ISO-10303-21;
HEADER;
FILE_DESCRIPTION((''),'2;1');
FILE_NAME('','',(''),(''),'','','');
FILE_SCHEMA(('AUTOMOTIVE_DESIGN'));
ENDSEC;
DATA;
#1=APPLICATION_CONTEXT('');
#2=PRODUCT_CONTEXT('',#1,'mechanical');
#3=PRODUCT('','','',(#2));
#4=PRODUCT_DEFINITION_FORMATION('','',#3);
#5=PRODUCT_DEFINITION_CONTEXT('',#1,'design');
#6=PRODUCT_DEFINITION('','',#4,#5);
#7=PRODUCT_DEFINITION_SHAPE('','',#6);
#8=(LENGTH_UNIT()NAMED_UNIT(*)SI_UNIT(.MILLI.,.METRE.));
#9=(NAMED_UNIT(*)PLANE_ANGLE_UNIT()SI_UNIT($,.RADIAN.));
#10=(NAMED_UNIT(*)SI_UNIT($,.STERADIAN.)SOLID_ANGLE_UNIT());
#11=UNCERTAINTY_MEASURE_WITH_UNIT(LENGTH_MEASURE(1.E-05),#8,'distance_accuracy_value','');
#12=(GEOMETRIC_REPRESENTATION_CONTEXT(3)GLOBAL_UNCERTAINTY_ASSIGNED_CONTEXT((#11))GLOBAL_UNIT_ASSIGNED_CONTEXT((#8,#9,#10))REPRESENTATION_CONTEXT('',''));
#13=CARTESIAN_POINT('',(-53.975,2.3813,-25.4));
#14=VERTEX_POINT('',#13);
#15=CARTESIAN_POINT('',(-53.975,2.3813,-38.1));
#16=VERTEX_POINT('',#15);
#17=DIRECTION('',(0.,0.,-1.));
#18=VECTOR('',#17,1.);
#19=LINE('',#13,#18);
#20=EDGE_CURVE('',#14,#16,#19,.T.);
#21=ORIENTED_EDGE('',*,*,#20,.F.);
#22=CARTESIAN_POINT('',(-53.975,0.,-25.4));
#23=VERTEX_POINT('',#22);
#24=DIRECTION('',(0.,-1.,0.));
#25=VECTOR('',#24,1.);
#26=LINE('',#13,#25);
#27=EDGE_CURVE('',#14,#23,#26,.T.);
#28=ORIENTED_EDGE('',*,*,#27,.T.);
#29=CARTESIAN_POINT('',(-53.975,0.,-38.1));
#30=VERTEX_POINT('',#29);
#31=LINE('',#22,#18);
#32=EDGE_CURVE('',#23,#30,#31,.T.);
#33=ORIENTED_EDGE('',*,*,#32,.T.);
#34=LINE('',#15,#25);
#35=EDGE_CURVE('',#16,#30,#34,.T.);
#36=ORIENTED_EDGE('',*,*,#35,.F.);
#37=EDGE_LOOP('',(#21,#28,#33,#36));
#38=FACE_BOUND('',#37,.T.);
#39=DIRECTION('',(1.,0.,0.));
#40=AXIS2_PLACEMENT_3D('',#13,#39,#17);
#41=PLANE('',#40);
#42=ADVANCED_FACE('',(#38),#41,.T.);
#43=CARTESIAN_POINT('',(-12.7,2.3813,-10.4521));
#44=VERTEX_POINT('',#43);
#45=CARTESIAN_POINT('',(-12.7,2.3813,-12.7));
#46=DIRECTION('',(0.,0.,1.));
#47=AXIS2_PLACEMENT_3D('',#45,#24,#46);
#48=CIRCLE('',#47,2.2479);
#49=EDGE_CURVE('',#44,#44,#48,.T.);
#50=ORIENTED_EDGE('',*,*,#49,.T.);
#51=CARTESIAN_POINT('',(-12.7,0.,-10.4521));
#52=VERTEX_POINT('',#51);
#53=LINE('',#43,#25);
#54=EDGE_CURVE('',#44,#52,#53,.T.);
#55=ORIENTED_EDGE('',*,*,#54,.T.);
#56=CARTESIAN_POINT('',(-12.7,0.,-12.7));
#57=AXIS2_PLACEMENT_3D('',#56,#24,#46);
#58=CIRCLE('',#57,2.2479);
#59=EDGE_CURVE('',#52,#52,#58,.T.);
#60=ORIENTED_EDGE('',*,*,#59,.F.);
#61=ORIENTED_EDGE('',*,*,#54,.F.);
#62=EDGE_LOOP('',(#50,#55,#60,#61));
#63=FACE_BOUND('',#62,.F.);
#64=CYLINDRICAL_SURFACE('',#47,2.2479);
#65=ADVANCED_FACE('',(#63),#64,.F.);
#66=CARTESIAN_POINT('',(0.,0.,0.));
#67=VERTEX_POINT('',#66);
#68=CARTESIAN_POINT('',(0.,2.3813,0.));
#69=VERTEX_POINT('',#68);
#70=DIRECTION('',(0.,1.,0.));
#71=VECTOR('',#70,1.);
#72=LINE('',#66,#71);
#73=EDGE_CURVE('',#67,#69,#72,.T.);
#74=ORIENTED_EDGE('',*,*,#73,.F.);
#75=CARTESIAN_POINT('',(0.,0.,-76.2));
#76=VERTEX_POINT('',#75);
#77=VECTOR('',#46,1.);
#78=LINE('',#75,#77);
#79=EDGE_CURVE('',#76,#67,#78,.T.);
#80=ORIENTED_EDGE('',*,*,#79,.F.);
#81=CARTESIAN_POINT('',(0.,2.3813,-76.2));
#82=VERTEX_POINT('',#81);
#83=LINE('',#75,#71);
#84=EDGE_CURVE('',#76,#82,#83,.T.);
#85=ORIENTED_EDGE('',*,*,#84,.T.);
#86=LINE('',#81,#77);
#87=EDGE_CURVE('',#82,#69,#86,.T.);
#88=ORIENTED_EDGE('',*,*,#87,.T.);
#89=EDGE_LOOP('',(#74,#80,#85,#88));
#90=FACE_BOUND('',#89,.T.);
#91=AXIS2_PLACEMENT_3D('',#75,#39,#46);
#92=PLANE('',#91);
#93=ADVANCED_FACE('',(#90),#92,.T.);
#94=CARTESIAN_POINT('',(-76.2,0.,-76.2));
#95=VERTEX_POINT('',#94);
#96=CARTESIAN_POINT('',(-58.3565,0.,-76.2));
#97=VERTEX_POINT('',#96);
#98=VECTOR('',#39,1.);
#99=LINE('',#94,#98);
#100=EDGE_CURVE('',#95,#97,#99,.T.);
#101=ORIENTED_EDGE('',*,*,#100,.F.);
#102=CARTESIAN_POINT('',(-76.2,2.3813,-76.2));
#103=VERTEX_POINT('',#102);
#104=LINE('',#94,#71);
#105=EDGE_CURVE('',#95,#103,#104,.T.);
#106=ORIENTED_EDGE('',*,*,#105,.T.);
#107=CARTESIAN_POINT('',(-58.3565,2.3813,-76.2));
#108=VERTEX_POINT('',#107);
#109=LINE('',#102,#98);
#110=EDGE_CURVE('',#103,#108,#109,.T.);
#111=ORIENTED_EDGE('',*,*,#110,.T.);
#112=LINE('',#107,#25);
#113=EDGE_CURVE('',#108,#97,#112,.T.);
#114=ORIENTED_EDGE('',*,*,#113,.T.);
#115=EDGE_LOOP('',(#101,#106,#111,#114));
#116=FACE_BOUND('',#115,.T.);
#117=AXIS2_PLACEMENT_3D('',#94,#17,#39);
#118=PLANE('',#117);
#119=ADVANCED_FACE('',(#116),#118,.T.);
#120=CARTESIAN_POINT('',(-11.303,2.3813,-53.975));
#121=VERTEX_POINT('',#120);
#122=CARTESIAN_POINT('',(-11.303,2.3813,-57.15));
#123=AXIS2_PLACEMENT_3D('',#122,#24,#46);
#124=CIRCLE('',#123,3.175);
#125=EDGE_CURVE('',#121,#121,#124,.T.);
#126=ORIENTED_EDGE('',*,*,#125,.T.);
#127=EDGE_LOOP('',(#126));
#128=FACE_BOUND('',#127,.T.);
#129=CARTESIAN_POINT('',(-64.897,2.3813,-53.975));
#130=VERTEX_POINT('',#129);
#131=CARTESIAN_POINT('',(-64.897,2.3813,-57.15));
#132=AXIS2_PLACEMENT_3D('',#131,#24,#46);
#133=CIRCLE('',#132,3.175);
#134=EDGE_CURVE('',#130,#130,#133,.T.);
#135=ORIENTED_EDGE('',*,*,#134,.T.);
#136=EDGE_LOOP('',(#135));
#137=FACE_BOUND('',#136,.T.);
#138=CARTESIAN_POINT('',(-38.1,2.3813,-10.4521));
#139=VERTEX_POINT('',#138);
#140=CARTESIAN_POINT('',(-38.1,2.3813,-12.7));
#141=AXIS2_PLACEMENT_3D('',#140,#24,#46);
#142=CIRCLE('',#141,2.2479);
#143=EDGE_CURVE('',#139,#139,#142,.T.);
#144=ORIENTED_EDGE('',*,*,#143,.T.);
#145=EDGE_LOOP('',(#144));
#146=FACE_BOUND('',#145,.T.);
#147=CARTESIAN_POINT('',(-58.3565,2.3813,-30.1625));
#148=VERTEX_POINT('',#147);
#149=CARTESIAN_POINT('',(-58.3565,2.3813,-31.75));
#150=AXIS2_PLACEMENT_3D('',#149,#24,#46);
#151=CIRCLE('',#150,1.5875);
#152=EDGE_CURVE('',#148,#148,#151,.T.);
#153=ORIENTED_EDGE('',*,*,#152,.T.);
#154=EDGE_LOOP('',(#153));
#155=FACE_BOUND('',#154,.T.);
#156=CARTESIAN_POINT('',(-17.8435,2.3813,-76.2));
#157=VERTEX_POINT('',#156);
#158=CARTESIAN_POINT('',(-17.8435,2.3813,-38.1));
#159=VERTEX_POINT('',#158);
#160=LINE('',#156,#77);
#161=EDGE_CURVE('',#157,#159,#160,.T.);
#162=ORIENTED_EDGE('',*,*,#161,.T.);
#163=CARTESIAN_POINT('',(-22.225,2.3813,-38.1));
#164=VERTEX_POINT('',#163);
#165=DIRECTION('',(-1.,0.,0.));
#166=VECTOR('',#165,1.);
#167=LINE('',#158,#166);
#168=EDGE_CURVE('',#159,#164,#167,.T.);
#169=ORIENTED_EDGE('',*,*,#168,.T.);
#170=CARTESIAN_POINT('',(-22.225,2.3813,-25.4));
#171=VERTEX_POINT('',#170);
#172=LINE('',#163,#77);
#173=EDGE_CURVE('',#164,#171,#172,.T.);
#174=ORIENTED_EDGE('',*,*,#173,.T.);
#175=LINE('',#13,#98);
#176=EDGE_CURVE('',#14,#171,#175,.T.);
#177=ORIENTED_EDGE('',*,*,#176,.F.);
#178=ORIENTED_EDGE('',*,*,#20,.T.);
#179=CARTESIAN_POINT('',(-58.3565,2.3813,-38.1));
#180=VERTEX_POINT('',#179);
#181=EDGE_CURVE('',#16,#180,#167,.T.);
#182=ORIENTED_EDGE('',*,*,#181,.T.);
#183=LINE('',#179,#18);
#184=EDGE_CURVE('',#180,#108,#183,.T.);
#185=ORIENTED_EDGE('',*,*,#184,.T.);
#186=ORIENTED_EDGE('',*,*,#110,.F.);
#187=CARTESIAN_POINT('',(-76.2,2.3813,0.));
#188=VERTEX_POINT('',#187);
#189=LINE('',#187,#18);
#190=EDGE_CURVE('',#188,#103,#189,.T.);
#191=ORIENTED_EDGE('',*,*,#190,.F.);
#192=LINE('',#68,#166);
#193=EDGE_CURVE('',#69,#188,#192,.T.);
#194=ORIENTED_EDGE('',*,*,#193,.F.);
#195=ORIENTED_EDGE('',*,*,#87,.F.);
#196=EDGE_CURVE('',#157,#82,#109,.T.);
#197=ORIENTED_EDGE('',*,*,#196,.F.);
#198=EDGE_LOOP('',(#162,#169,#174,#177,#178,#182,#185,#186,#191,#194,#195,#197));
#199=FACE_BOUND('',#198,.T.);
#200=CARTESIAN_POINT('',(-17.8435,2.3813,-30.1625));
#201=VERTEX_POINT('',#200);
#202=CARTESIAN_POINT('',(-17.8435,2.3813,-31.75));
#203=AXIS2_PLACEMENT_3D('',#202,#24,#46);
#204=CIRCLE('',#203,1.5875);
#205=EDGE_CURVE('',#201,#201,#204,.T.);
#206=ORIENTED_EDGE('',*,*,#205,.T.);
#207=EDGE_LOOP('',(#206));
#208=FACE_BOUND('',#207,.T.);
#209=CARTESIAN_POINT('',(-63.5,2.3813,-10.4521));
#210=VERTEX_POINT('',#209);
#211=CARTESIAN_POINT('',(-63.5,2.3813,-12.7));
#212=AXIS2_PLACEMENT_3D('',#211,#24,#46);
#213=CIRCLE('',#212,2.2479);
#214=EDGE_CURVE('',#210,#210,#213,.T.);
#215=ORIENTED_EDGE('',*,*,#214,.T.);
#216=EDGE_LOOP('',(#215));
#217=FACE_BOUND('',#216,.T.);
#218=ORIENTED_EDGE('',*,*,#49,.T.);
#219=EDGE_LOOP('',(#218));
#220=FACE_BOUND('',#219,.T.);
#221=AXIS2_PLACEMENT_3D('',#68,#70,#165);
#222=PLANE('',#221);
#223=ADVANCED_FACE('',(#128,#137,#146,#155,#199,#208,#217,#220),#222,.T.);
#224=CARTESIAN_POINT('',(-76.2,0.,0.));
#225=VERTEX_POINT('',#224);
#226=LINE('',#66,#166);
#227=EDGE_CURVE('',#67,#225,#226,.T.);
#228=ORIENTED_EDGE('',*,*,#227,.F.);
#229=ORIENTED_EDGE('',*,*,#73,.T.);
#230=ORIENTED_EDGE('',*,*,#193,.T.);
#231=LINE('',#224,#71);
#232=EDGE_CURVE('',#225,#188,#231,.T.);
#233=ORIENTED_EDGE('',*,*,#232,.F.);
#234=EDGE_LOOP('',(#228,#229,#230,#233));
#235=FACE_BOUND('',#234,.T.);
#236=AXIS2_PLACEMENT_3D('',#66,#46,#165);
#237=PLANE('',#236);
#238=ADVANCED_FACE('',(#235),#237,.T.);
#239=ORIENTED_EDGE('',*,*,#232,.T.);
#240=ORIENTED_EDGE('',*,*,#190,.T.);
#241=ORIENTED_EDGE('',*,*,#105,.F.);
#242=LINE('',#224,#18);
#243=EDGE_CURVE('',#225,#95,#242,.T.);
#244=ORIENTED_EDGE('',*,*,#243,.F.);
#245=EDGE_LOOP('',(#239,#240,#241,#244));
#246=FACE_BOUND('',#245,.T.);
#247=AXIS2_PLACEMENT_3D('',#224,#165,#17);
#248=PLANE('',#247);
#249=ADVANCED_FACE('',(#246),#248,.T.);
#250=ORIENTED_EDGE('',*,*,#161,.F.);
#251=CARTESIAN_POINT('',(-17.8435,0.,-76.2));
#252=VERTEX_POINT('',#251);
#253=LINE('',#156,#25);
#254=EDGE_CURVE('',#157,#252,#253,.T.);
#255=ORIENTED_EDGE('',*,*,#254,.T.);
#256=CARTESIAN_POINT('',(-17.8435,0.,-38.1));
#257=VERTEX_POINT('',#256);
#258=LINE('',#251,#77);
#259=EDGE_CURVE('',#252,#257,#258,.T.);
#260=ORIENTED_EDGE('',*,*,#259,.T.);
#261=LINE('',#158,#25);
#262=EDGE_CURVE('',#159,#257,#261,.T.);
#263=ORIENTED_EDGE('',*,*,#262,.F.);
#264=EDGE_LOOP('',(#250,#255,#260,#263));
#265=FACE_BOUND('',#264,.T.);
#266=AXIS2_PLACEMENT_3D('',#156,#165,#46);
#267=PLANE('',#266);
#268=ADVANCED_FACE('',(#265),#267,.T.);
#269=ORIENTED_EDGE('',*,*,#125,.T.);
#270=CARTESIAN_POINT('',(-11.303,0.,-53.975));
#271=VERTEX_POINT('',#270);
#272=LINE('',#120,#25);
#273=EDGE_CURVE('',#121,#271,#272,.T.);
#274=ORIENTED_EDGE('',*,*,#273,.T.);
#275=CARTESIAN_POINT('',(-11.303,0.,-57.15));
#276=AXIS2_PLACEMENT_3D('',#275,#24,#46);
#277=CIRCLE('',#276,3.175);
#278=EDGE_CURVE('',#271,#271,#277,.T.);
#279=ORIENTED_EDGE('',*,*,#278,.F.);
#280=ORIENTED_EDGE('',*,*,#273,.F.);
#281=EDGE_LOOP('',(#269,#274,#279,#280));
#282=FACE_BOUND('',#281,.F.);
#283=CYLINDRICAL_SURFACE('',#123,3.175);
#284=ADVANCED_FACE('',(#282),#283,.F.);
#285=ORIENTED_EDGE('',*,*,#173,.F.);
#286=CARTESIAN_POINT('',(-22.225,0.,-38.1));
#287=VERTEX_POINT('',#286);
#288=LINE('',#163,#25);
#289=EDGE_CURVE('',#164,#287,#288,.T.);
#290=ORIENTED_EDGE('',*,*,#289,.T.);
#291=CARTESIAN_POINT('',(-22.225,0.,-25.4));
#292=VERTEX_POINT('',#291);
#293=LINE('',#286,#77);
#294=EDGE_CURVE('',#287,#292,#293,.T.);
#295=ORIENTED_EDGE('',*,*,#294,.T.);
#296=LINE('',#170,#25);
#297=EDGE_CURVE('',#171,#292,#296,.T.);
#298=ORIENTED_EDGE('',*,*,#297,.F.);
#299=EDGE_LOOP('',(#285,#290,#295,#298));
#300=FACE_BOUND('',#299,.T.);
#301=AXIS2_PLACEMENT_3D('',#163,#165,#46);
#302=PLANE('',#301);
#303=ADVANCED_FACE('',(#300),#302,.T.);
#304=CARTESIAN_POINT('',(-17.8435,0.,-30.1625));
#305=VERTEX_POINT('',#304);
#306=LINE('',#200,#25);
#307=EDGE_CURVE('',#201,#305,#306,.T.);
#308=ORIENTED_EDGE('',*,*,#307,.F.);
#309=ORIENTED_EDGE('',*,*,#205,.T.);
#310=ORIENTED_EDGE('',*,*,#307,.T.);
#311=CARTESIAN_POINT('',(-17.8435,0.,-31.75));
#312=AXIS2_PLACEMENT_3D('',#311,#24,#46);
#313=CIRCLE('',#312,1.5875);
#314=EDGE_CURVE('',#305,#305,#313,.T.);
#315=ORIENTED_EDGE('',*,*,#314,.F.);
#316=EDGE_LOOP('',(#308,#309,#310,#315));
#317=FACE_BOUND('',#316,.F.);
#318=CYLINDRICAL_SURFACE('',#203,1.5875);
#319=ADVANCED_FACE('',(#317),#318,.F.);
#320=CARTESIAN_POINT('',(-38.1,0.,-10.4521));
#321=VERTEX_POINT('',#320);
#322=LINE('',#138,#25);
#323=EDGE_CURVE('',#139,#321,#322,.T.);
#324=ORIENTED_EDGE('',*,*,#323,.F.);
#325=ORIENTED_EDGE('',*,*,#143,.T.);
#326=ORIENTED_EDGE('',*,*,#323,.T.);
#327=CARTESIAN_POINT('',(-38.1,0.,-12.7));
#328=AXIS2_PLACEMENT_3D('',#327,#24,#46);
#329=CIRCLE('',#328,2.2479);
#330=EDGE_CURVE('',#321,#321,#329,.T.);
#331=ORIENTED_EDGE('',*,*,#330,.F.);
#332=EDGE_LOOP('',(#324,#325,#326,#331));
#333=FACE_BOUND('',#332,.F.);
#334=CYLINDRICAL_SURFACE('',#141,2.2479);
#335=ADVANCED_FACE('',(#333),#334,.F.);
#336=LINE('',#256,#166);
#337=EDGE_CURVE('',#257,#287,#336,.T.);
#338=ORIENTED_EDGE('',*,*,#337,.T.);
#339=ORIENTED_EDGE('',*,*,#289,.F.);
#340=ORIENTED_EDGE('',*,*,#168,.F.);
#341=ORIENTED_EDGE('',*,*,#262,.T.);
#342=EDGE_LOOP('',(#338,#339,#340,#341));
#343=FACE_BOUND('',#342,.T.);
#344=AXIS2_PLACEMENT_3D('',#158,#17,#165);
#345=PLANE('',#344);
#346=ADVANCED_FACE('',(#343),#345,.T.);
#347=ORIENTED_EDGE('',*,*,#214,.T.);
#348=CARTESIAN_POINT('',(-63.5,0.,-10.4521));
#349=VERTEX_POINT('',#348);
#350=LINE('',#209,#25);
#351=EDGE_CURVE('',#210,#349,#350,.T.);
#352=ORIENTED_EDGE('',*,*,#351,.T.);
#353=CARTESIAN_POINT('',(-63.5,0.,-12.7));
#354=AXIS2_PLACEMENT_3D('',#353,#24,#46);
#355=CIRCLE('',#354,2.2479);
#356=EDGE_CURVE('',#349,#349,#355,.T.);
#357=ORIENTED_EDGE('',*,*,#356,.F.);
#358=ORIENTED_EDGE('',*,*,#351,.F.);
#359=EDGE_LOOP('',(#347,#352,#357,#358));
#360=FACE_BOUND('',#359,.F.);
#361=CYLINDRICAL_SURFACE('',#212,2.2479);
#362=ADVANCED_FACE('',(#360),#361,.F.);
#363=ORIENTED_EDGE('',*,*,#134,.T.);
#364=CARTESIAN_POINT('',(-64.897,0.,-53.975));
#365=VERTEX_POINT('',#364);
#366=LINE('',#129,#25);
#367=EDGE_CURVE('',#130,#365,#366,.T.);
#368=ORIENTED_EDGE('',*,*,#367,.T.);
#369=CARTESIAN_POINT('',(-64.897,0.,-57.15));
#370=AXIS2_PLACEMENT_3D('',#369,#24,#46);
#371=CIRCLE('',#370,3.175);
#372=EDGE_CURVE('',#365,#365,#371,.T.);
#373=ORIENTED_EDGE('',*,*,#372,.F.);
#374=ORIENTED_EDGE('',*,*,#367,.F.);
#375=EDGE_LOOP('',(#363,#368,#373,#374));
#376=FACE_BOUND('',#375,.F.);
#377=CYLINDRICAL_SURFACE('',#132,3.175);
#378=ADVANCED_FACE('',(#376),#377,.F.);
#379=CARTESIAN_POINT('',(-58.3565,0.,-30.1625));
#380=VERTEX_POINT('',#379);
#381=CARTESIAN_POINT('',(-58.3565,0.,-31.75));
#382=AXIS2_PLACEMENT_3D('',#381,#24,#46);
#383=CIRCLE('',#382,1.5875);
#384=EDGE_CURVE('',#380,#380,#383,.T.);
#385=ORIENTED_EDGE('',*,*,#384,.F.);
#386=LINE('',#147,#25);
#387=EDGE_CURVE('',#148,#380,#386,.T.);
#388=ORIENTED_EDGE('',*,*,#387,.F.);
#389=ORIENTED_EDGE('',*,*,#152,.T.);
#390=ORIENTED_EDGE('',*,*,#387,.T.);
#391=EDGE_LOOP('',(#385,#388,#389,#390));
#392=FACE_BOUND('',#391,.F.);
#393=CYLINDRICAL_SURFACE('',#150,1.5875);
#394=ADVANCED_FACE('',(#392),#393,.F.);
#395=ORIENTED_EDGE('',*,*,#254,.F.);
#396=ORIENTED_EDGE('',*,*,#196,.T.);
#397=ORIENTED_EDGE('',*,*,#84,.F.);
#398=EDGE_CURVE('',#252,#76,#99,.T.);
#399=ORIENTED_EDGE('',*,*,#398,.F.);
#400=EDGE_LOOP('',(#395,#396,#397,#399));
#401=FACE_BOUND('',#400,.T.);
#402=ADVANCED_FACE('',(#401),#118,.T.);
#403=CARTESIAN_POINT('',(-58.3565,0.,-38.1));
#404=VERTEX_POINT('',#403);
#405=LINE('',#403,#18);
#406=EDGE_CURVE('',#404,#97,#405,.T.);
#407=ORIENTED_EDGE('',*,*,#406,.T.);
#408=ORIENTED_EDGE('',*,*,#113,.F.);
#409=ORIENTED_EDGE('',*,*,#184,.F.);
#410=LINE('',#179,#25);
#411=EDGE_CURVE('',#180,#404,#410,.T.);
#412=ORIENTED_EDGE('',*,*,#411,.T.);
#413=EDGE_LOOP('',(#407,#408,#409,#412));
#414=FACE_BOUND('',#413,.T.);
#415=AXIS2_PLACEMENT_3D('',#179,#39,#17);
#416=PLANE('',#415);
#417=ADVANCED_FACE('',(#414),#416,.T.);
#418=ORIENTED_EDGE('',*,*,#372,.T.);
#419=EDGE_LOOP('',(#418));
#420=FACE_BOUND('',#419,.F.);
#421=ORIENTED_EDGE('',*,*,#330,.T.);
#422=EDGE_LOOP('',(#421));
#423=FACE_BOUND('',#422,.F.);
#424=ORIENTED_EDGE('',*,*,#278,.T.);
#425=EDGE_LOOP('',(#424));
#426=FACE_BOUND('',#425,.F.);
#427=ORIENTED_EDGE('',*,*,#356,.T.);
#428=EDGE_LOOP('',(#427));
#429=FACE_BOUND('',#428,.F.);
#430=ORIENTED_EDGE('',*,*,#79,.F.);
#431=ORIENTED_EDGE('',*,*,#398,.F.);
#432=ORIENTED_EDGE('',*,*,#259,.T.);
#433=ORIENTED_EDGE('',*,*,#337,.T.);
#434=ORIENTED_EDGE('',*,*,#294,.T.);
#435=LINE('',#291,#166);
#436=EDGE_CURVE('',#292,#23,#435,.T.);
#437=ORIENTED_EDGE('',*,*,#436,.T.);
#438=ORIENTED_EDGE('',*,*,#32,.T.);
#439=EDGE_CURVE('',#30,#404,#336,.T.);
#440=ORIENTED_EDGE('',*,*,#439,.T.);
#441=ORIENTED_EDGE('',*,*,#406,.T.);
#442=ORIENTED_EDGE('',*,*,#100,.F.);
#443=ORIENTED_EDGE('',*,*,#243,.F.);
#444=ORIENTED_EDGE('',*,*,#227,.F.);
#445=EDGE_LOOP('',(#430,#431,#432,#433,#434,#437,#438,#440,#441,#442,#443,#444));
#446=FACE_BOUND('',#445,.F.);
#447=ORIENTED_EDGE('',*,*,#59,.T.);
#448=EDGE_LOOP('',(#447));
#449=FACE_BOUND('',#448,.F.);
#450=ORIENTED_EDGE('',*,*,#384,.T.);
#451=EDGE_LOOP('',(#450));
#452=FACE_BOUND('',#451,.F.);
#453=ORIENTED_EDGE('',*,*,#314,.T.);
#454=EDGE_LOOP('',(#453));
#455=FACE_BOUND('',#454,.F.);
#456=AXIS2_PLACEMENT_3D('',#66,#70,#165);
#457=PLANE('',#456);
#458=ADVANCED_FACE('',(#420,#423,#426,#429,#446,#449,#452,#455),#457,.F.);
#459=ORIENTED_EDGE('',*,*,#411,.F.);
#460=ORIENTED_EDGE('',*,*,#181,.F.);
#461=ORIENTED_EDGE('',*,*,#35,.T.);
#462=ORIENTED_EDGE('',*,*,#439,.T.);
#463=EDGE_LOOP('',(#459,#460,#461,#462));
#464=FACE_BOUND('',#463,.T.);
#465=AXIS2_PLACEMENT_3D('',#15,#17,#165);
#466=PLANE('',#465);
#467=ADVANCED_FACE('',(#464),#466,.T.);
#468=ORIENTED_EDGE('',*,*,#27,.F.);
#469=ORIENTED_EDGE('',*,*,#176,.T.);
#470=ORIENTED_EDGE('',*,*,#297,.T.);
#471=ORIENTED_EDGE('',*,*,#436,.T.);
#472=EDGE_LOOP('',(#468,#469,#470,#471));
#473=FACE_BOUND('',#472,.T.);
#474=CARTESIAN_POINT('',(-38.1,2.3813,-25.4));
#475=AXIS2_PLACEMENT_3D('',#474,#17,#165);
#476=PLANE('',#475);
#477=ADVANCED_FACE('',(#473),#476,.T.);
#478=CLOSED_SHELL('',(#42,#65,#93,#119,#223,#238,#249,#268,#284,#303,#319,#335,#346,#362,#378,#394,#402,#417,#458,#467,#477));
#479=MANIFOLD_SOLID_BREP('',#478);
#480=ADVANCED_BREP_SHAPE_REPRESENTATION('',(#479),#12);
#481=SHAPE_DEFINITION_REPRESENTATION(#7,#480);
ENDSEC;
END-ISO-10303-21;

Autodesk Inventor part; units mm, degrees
ref_plane "YZ Plane" through (0, 0, 0) normal (1, 0, 0) x (0, 1, 0)
ref_plane "XZ Plane" through (0, 0, 0) normal (0, 1, 0) x (-1, 0, 0)
ref_plane "XY Plane" through (0, 0, 0) normal (0, 0, 1) x (1, 0, 0)
sketch "Sketch1" plane through (0, 0, 0) normal (0, 1, 0) x (-1, 0, 0)
  line L0 (0, 0) -> (76.2, 0)
  line L1 (76.2, 0) -> (76.2, -76.2)
  line L2 (76.2, -76.2) -> (0, -76.2)
  line L3 (0, -76.2) -> (0, 0)
  dimension "d0" = 76.2
  dimension "d1" = 76.2
extrude "Extrusion1" add sketch "Sketch1" along normal blind 2.3813
sketch "Sketch2" plane through (0, 2.3813, 0) normal (0, 1, 0) x (1, 0, 0)
  line L0 (-83.8553, 12.7) -> (21.3104, 12.7) construction
  line L1 (-76.2, 0) -> (0, 0) construction
  line L2 (-76.2, 76.2) -> (-76.2, 0) construction
  point P0 (-63.5, 12.7)
  point P1 (-38.1, 12.7)
  point P2 (-12.7, 12.7)
  dimension "d4" = 12.7
  dimension "d5" = 12.7
  dimension "d6" = 25.4
  dimension "d39" = 25.4
hole "Hole1" at (-63.5, 2.3813, -12.7) at (-38.1, 2.3813, -12.7) at (-12.7, 2.3813, -12.7) direction (0, -1, 0) diameter 4.4958 end through all clearance for "Flat Head Machine Screw (82)" size "#8" standard "Ansi Unified Screw Threads"
sketch "Sketch3" plane through (0, 2.3813, 0) normal (0, 1, 0) x (1, 0, 0)
  line L0 (-85.7811, 31.75) -> (14.4142, 31.75) construction
  line L1 (-76.2, 0) -> (0, 0) construction
  line L2 (-38.1, 80.8292) -> (-38.1, -11.6218) construction
  line L3 (0, 76.2) -> (-76.2, 76.2) construction
  point P0 (-58.3565, 31.75)
  point P1 (-17.8435, 31.75)
  point P2 (-38.1, 76.2)
  dimension "d14" = 31.75
  dimension "d16" = 40.513
hole "Hole2" at (-58.3565, 2.3813, -31.75) at (-17.8435, 2.3813, -31.75) direction (0, -1, 0) diameter 3.175 end through all
sketch "Sketch4" plane through (0, 2.3813, 0) normal (0, 1, 0) x (1, 0, 0)
  line L0 (-58.3565, 76.2) -> (-17.8435, 76.2)
  line L1 (-17.8435, 76.2) -> (-17.8435, 38.1)
  line L2 (-17.8435, 38.1) -> (-58.3565, 38.1)
  line L3 (-58.3565, 38.1) -> (-58.3565, 76.2)
  line L4 (0, 76.2) -> (-76.2, 76.2) projected
  line L5 (-38.1, 81.963) -> (-38.1, -24.4331)
  line L6 (-76.2, 0) -> (0, 0) projected
  line L7 (-53.975, 38.1) -> (-22.225, 38.1)
  line L8 (-22.225, 38.1) -> (-22.225, 25.4)
  line L9 (-22.225, 25.4) -> (-53.975, 25.4)
  line L10 (-53.975, 25.4) -> (-53.975, 38.1)
  point P0 (-38.1, 0)
  dimension "d24" = 38.1
  dimension "d27" = 31.75
  dimension "d28" = 12.7
  dimension "d29" = 40.513
extrude "Extrusion2" cut sketch "Sketch4" against normal blind 2.3813
sketch "Sketch5" plane through (0, 2.3813, 0) normal (0, 1, 0) x (1, 0, 0)
  line L0 (-81.1122, 57.15) -> (21.0892, 57.15) construction
  line L1 (-58.3565, 76.2) -> (-76.2, 76.2) construction
  line L2 (-38.1, 88.2697) -> (-38.1, -12.0157) construction
  line L3 (-76.2, 0) -> (0, 0) construction
  point P0 (-64.897, 57.15)
  point P1 (-11.303, 57.15)
  point P2 (-38.1, 0)
  dimension "d30" = 19.05
  dimension "d31" = 53.594
hole "Hole3" at (-64.897, 2.3813, -57.15) at (-11.303, 2.3813, -57.15) direction (0, -1, 0) diameter 6.35 end through all
equation "\"d39\" = d6"
properties part number "dmc_plate"
